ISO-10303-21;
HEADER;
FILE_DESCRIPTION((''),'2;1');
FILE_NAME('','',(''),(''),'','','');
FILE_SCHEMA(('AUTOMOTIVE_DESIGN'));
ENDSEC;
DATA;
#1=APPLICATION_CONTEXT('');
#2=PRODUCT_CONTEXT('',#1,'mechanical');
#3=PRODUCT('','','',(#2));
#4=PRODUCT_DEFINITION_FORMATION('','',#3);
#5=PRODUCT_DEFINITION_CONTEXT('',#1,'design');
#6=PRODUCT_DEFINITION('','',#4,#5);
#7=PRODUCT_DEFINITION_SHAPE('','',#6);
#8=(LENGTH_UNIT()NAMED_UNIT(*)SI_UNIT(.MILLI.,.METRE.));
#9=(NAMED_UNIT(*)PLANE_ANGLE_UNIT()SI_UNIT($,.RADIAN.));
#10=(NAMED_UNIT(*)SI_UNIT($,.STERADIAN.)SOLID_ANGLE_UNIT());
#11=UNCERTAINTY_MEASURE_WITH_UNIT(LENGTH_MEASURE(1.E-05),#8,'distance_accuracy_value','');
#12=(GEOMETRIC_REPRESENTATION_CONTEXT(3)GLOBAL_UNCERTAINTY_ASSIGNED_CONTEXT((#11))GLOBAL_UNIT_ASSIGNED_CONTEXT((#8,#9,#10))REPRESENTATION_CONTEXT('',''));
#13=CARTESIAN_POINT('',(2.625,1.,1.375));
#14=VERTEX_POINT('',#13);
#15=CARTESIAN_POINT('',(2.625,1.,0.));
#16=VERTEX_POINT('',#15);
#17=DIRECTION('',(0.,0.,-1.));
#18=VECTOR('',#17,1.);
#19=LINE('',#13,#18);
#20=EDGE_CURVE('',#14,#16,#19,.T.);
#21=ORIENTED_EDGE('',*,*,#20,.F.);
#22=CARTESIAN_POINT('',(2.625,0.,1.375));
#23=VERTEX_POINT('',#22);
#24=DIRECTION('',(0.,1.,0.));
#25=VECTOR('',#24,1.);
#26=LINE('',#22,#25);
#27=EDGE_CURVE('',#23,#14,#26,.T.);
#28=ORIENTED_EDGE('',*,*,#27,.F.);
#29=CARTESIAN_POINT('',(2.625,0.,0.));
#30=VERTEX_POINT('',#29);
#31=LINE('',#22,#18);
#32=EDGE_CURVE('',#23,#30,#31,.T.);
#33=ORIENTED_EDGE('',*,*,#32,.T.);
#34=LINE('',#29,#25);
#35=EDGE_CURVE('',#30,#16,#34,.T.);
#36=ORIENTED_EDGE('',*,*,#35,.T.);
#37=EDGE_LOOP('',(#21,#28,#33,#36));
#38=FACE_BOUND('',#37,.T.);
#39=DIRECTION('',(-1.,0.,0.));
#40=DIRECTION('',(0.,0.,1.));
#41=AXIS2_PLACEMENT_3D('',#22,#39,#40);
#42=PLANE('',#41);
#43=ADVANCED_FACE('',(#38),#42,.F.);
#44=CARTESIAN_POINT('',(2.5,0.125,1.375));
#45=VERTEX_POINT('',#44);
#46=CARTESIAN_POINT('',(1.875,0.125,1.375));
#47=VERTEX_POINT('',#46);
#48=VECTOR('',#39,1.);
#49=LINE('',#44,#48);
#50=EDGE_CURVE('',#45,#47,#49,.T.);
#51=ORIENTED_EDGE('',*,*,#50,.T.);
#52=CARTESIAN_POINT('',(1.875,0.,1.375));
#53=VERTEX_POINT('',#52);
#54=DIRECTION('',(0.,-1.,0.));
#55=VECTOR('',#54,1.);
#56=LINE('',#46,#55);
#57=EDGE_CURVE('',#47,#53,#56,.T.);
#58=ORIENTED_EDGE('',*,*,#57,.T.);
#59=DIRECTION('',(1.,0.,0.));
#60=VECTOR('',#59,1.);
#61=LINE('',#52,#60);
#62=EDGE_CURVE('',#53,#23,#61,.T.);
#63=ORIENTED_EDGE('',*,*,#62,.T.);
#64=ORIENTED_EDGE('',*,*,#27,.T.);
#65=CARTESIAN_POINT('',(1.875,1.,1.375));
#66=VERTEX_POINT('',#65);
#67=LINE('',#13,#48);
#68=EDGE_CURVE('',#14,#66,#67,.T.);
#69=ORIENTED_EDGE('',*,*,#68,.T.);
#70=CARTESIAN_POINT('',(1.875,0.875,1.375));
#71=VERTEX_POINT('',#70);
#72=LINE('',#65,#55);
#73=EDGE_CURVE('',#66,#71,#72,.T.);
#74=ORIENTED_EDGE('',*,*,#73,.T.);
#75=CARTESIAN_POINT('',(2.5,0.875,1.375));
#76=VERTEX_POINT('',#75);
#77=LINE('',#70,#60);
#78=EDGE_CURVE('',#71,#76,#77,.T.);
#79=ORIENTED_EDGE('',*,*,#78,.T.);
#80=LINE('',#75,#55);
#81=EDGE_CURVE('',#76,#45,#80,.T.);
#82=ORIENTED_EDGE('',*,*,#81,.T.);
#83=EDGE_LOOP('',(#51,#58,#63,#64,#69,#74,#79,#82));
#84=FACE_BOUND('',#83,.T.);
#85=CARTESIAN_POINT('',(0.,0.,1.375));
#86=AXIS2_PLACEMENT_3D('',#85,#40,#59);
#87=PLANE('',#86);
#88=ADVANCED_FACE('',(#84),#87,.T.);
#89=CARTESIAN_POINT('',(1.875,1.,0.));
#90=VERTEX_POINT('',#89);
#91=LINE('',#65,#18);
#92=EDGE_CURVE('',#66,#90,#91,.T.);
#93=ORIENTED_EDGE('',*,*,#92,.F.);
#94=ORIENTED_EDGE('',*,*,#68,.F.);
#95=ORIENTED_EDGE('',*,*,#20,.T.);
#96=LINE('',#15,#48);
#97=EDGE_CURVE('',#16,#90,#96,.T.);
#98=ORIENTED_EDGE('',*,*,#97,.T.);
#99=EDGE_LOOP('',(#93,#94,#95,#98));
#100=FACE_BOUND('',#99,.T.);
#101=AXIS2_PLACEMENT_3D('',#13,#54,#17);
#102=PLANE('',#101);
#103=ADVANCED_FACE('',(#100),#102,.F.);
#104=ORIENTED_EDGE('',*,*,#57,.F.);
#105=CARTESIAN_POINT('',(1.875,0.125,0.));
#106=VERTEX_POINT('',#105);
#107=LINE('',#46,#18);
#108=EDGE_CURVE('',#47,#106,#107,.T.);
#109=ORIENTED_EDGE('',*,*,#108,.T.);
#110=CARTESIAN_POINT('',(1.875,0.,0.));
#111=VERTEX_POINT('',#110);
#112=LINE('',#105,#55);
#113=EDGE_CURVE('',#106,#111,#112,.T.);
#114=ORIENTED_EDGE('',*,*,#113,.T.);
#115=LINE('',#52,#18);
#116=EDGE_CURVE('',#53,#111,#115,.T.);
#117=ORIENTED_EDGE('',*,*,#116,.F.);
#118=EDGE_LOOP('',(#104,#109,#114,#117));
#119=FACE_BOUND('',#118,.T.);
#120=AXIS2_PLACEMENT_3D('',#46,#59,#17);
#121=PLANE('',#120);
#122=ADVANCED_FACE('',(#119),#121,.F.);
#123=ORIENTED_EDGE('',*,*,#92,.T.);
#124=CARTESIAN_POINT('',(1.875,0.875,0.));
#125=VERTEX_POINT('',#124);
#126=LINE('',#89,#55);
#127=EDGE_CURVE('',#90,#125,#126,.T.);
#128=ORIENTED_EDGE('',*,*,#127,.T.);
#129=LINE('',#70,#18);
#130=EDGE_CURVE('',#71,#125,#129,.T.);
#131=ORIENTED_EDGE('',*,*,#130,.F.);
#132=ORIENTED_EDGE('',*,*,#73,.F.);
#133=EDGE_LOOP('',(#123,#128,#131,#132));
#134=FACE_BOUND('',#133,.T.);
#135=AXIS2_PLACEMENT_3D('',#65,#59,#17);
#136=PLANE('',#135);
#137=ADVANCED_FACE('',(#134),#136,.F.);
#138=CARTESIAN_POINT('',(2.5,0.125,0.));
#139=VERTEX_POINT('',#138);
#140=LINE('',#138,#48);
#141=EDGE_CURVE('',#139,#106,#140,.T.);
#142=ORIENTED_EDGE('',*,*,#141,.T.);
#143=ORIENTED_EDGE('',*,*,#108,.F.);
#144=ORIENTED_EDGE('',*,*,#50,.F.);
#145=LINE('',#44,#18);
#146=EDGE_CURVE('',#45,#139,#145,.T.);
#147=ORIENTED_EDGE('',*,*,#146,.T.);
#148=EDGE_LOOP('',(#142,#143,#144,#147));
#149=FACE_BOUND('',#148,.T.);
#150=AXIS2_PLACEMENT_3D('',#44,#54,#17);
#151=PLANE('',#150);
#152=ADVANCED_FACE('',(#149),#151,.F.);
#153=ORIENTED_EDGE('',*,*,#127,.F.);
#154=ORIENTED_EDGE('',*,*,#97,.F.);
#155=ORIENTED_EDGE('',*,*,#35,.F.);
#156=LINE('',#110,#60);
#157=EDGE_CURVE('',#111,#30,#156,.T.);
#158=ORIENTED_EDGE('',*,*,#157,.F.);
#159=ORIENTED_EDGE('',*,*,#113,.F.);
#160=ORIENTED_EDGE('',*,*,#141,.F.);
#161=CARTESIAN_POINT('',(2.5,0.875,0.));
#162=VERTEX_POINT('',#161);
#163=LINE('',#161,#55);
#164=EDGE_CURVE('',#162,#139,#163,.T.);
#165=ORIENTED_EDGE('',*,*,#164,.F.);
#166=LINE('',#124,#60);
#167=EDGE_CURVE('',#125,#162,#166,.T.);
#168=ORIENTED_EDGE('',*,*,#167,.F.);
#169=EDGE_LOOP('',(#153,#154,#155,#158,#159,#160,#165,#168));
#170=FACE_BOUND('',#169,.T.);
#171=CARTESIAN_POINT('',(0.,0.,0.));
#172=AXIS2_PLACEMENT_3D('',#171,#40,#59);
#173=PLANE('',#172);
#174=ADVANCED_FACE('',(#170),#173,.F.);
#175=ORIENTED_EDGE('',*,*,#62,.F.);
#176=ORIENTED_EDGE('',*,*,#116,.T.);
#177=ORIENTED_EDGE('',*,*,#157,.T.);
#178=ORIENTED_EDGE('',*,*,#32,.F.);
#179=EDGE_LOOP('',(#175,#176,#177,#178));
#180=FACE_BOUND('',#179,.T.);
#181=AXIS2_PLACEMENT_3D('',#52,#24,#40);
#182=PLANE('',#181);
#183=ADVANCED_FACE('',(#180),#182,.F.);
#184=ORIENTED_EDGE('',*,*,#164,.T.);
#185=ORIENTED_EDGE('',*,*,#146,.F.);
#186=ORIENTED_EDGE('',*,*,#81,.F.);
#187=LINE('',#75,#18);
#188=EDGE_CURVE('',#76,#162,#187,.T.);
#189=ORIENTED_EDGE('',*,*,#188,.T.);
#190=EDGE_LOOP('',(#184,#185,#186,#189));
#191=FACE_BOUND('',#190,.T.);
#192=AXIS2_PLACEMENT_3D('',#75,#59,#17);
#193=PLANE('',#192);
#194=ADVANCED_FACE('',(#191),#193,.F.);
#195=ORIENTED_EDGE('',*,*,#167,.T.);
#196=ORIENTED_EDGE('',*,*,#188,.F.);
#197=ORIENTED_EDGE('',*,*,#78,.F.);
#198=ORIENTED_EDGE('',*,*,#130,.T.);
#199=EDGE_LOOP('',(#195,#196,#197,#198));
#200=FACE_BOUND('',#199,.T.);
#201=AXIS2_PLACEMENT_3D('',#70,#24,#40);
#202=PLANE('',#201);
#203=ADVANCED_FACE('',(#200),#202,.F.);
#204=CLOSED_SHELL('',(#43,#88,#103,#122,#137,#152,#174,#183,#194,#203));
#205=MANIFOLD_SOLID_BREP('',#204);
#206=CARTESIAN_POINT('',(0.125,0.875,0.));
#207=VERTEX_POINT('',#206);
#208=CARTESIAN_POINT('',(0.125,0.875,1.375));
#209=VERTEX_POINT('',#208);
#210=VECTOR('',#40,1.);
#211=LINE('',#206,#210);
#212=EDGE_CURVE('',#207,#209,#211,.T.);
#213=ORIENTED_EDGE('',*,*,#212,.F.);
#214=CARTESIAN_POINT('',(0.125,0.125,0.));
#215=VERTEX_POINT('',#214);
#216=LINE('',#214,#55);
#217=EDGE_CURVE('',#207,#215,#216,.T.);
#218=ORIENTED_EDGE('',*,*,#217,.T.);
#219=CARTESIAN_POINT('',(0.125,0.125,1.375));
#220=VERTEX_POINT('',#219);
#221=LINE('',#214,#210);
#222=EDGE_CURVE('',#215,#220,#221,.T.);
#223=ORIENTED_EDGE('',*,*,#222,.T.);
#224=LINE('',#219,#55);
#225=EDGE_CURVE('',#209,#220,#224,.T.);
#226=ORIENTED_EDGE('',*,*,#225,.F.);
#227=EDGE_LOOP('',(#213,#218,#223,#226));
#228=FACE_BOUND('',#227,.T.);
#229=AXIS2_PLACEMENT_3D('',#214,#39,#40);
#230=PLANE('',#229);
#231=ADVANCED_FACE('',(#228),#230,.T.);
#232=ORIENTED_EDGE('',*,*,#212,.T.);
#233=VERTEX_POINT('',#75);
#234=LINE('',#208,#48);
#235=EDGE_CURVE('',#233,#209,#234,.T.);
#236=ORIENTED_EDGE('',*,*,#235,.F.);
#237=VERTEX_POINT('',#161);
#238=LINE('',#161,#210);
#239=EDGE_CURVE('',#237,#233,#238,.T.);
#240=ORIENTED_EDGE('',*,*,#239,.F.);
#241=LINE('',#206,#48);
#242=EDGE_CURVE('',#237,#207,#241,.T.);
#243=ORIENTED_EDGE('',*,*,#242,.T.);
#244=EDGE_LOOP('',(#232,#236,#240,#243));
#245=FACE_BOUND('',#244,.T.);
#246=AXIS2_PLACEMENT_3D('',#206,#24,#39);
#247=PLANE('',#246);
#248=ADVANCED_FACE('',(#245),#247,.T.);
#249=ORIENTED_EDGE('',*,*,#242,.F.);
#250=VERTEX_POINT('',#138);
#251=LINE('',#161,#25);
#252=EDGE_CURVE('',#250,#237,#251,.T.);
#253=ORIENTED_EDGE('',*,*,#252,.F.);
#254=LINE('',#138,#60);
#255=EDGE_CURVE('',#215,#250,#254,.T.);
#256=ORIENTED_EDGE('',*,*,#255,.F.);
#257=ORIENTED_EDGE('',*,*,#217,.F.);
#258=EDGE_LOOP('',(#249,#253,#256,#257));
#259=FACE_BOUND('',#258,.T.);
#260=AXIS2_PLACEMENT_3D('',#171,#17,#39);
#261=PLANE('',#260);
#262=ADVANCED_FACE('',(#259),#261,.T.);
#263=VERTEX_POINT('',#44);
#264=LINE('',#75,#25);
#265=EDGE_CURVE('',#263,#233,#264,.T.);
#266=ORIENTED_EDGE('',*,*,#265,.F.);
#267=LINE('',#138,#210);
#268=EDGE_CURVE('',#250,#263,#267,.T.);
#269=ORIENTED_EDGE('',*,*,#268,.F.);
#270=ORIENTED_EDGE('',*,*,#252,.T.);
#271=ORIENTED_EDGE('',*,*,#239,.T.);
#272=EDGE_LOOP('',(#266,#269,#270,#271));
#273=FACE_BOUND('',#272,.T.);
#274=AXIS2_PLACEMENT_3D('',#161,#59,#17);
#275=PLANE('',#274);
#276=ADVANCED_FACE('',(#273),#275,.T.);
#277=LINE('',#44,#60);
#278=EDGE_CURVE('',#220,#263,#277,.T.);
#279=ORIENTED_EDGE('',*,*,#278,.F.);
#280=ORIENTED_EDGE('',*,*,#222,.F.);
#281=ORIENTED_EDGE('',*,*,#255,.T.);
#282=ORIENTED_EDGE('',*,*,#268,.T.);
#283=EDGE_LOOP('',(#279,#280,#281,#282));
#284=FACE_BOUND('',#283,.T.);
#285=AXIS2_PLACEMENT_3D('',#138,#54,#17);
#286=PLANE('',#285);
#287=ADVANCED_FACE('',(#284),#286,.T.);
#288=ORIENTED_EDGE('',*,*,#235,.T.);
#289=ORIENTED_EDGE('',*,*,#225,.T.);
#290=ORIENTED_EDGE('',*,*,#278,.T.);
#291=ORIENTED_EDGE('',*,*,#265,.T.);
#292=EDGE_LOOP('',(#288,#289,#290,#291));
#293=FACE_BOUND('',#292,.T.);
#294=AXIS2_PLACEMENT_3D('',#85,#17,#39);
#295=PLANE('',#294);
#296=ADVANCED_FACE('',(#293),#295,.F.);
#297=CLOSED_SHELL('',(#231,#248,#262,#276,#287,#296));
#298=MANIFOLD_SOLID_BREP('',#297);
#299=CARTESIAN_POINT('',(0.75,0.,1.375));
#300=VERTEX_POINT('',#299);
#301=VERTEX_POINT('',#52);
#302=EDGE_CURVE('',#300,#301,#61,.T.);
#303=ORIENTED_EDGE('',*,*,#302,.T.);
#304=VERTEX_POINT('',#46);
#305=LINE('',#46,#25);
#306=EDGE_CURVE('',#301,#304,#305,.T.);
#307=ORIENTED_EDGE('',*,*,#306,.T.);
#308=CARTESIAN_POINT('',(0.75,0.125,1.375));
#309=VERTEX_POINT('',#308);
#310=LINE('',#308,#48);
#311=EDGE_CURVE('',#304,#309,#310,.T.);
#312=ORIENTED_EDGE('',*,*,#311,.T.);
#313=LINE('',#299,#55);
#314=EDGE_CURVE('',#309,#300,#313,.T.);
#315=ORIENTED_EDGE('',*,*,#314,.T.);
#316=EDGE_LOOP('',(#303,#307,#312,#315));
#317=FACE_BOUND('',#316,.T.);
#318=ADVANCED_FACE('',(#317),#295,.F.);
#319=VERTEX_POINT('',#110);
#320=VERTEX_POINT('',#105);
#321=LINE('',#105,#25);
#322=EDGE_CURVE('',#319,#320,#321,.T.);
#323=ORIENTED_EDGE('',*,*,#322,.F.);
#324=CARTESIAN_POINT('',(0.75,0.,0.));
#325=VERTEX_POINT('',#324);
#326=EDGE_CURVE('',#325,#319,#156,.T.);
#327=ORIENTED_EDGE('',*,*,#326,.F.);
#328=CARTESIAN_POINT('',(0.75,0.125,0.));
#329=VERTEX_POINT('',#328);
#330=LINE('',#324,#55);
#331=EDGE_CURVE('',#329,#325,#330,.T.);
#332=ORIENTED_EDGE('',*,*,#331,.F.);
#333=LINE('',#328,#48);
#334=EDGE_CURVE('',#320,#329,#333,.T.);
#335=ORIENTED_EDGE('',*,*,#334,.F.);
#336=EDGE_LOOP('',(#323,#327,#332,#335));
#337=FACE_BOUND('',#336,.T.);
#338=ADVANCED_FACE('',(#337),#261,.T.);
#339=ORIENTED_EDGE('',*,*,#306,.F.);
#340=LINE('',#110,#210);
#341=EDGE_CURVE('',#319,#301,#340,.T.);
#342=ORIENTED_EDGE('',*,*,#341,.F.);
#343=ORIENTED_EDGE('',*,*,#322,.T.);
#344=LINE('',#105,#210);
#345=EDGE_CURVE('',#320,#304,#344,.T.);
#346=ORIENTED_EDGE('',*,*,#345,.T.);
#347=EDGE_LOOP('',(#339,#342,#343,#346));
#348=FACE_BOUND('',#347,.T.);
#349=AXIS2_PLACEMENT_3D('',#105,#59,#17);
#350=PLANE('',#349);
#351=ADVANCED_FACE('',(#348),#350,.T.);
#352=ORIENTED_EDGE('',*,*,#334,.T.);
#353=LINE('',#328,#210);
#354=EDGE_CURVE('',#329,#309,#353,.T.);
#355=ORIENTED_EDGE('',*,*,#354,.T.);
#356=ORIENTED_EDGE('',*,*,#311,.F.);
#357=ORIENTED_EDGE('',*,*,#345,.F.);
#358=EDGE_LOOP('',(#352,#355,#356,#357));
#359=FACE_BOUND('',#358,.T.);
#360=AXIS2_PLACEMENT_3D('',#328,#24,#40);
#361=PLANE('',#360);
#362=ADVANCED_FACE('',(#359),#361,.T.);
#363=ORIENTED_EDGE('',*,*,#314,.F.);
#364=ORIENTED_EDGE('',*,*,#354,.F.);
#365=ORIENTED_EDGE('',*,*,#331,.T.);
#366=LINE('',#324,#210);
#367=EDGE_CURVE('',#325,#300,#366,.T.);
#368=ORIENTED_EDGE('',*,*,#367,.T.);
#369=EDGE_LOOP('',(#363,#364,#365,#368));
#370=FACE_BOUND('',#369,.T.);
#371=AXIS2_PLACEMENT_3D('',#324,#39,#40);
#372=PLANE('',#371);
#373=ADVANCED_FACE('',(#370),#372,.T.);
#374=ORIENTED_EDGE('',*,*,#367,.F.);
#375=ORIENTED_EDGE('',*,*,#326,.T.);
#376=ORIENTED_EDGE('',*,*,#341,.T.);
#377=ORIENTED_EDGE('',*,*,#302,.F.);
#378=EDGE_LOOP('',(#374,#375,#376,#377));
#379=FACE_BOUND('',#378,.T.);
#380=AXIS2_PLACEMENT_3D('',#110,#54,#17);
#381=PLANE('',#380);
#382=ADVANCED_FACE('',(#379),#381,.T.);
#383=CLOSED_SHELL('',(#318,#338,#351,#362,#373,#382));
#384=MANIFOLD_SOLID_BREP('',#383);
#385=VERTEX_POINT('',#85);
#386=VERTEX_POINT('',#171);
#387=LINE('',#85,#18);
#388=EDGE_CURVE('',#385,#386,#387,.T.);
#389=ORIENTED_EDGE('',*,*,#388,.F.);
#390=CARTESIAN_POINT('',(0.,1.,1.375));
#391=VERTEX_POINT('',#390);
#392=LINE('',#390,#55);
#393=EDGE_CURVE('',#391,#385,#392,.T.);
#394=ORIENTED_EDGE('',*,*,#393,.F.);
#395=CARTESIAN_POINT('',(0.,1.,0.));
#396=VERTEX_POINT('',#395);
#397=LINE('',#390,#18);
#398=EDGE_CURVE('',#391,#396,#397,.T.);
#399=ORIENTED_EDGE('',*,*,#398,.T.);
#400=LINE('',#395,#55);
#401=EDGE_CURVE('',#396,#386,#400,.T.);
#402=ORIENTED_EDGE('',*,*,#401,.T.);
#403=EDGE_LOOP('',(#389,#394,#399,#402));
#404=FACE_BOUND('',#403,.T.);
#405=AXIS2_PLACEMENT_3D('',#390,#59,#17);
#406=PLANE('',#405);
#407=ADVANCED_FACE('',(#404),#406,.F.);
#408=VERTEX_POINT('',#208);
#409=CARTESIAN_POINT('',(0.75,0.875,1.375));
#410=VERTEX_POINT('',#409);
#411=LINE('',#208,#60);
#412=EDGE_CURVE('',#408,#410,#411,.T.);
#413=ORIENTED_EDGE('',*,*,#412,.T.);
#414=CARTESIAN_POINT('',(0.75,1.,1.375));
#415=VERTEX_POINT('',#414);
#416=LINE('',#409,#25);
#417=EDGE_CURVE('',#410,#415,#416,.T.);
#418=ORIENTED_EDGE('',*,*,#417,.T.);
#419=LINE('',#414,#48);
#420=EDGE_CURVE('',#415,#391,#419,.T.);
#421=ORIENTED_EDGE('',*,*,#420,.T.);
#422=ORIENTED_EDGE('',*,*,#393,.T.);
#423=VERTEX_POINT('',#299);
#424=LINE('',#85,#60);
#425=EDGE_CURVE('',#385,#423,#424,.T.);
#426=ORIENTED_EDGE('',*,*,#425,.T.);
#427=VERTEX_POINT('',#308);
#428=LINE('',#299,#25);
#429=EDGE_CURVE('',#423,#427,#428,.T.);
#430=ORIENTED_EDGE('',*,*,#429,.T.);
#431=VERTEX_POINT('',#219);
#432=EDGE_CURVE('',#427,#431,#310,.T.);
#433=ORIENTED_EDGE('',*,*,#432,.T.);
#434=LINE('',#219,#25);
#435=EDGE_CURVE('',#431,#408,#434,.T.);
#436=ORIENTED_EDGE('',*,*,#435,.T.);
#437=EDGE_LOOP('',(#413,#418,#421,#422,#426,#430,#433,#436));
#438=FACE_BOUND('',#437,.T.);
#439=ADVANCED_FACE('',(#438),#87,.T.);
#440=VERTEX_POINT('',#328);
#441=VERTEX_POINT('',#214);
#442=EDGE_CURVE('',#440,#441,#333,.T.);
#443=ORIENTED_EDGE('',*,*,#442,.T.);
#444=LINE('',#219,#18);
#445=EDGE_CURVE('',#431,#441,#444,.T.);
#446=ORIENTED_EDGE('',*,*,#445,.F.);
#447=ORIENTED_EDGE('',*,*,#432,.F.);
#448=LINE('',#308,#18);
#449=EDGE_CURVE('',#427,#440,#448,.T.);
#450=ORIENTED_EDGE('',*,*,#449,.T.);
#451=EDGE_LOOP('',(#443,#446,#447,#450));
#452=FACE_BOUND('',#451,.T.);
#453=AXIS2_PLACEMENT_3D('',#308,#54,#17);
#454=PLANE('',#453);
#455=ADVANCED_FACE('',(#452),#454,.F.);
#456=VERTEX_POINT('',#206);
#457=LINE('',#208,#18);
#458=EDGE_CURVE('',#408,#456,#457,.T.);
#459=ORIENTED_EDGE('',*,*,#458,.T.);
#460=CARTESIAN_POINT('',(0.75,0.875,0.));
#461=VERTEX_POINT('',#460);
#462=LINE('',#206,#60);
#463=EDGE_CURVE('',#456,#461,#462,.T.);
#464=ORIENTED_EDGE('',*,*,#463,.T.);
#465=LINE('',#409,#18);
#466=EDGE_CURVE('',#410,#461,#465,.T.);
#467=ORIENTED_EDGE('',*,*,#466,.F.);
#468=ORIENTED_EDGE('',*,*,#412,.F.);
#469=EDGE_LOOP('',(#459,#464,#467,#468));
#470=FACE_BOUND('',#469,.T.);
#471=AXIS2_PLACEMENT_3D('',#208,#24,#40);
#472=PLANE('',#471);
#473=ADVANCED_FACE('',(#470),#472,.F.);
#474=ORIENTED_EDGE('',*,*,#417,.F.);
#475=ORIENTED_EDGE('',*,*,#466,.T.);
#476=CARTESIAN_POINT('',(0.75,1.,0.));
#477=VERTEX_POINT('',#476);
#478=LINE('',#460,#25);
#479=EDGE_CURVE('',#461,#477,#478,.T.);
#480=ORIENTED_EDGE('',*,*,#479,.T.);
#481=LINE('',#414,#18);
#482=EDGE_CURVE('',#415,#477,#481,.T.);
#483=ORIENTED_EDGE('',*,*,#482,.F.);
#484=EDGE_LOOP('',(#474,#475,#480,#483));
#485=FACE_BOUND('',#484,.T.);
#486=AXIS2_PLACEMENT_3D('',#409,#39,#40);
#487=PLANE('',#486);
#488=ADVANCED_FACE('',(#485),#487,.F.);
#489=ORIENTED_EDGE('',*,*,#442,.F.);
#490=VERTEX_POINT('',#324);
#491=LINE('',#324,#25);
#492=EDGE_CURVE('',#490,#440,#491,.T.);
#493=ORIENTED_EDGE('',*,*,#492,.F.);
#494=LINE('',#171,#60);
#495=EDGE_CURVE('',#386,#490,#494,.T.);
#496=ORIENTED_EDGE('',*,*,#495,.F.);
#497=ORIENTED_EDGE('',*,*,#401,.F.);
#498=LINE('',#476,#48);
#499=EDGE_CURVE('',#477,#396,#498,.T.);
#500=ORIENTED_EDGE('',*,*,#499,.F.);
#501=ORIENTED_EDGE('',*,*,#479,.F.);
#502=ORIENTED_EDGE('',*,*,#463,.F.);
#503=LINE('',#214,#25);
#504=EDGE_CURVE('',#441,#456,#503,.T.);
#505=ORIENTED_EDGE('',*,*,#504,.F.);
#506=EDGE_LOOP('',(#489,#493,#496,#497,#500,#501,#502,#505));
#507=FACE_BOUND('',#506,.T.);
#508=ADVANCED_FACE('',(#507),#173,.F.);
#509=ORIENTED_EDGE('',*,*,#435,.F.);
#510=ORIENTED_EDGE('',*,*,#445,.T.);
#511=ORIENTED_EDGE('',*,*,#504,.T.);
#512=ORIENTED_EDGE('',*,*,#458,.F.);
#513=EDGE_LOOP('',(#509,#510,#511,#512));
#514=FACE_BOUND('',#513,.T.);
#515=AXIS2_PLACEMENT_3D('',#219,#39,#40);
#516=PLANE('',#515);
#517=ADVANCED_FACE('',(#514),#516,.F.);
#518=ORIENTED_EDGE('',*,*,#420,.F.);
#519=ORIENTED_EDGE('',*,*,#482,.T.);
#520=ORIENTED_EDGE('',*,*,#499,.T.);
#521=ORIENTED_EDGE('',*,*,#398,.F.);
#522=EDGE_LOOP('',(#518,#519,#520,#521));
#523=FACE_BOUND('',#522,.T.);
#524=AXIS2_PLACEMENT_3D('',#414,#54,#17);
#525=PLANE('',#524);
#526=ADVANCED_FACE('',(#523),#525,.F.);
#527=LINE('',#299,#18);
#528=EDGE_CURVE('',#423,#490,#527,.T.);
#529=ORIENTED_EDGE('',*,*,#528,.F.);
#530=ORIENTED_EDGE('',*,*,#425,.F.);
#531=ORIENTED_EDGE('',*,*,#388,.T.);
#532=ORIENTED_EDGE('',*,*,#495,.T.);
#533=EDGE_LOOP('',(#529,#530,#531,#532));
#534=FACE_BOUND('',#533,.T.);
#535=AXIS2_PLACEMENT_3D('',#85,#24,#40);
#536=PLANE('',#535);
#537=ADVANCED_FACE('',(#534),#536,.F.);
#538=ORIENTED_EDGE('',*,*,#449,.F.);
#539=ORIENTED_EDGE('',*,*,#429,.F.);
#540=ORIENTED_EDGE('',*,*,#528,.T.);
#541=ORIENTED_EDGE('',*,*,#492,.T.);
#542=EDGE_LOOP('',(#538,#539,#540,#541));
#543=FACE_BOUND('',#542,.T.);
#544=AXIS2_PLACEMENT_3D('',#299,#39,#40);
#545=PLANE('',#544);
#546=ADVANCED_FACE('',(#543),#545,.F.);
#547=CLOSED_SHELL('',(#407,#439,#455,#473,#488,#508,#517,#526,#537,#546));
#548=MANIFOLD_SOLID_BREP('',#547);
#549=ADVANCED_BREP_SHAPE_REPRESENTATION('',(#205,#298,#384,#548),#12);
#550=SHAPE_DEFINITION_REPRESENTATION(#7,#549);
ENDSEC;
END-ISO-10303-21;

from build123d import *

# Parameters (mm, degrees)
DODANIE_WYCI_GNI_CIE1_DEPTH   = 0.55
DODANIE_WYCI_GNI_CIE1_2_DEPTH = 0.55
SZKIC2_W                      = 0.45
SZKIC2_H                      = 0.05
DODANIE_WYCI_GNI_CIE2_DEPTH   = 0.55
SZKIC3_W                      = 0.95
SZKIC3_H                      = 0.3
DODANIE_WYCI_GNI_CIE3_DEPTH   = 0.55
SKALA1_SCALE                  = 2.5


with BuildPart() as part:
    # Szkic1 → Dodanie-wyciągnięcie1 (new body)
    with BuildSketch(Plane.XY):
        Polygon((0.3, 0.05), (0.05, 0.05), (0.05, 0.35), (0.3, 0.35), (0.3, 0.4), (0, 0.4), (0, 0), (0.3, 0), align=None)
    extrude(amount=DODANIE_WYCI_GNI_CIE1_DEPTH)


with BuildPart() as body_2:
    # Szkic1 → Dodanie-wyci_gni_cie1 2 (new body)
    with BuildSketch(Plane.XY):
        Polygon((0.75, 0.35), (1, 0.35), (1, 0.05), (0.75, 0.05), (0.75, 0), (1.05, 0), (1.05, 0.4), (0.75, 0.4), align=None)
    extrude(amount=DODANIE_WYCI_GNI_CIE1_2_DEPTH)


with BuildPart() as body_3:
    # Szkic2 → Dodanie-wyciągnięcie2 (new body)
    with BuildSketch(Plane.XY.offset(0.55)):
        with Locations((0.525, 0.025)):
            Rectangle(SZKIC2_W, SZKIC2_H)
    extrude(amount=-DODANIE_WYCI_GNI_CIE2_DEPTH)


with BuildPart() as body_4:
    # Szkic3 → Dodanie-wyciągnięcie3 (new body)
    with BuildSketch(Plane.XY.offset(0.55)):
        with Locations((0.525, 0.2)):
            Rectangle(SZKIC3_W, SZKIC3_H)
    extrude(amount=-DODANIE_WYCI_GNI_CIE3_DEPTH)


with BuildPart() as body_2_1:
    # Skala1: scaled about (0, 0, 0)
    add(body_2.part.scale(SKALA1_SCALE))


with BuildPart() as body_4_1:
    # Skala1: scaled about (0, 0, 0)
    add(body_4.part.scale(SKALA1_SCALE))


with BuildPart() as body_3_1:
    # Skala1: scaled about (0, 0, 0)
    add(body_3.part.scale(SKALA1_SCALE))


with BuildPart() as part_1:
    # Skala1: scaled about (0, 0, 0)
    add(part.part.scale(SKALA1_SCALE))


solid = Compound([body_2_1.part, body_4_1.part, body_3_1.part, part_1.part])
